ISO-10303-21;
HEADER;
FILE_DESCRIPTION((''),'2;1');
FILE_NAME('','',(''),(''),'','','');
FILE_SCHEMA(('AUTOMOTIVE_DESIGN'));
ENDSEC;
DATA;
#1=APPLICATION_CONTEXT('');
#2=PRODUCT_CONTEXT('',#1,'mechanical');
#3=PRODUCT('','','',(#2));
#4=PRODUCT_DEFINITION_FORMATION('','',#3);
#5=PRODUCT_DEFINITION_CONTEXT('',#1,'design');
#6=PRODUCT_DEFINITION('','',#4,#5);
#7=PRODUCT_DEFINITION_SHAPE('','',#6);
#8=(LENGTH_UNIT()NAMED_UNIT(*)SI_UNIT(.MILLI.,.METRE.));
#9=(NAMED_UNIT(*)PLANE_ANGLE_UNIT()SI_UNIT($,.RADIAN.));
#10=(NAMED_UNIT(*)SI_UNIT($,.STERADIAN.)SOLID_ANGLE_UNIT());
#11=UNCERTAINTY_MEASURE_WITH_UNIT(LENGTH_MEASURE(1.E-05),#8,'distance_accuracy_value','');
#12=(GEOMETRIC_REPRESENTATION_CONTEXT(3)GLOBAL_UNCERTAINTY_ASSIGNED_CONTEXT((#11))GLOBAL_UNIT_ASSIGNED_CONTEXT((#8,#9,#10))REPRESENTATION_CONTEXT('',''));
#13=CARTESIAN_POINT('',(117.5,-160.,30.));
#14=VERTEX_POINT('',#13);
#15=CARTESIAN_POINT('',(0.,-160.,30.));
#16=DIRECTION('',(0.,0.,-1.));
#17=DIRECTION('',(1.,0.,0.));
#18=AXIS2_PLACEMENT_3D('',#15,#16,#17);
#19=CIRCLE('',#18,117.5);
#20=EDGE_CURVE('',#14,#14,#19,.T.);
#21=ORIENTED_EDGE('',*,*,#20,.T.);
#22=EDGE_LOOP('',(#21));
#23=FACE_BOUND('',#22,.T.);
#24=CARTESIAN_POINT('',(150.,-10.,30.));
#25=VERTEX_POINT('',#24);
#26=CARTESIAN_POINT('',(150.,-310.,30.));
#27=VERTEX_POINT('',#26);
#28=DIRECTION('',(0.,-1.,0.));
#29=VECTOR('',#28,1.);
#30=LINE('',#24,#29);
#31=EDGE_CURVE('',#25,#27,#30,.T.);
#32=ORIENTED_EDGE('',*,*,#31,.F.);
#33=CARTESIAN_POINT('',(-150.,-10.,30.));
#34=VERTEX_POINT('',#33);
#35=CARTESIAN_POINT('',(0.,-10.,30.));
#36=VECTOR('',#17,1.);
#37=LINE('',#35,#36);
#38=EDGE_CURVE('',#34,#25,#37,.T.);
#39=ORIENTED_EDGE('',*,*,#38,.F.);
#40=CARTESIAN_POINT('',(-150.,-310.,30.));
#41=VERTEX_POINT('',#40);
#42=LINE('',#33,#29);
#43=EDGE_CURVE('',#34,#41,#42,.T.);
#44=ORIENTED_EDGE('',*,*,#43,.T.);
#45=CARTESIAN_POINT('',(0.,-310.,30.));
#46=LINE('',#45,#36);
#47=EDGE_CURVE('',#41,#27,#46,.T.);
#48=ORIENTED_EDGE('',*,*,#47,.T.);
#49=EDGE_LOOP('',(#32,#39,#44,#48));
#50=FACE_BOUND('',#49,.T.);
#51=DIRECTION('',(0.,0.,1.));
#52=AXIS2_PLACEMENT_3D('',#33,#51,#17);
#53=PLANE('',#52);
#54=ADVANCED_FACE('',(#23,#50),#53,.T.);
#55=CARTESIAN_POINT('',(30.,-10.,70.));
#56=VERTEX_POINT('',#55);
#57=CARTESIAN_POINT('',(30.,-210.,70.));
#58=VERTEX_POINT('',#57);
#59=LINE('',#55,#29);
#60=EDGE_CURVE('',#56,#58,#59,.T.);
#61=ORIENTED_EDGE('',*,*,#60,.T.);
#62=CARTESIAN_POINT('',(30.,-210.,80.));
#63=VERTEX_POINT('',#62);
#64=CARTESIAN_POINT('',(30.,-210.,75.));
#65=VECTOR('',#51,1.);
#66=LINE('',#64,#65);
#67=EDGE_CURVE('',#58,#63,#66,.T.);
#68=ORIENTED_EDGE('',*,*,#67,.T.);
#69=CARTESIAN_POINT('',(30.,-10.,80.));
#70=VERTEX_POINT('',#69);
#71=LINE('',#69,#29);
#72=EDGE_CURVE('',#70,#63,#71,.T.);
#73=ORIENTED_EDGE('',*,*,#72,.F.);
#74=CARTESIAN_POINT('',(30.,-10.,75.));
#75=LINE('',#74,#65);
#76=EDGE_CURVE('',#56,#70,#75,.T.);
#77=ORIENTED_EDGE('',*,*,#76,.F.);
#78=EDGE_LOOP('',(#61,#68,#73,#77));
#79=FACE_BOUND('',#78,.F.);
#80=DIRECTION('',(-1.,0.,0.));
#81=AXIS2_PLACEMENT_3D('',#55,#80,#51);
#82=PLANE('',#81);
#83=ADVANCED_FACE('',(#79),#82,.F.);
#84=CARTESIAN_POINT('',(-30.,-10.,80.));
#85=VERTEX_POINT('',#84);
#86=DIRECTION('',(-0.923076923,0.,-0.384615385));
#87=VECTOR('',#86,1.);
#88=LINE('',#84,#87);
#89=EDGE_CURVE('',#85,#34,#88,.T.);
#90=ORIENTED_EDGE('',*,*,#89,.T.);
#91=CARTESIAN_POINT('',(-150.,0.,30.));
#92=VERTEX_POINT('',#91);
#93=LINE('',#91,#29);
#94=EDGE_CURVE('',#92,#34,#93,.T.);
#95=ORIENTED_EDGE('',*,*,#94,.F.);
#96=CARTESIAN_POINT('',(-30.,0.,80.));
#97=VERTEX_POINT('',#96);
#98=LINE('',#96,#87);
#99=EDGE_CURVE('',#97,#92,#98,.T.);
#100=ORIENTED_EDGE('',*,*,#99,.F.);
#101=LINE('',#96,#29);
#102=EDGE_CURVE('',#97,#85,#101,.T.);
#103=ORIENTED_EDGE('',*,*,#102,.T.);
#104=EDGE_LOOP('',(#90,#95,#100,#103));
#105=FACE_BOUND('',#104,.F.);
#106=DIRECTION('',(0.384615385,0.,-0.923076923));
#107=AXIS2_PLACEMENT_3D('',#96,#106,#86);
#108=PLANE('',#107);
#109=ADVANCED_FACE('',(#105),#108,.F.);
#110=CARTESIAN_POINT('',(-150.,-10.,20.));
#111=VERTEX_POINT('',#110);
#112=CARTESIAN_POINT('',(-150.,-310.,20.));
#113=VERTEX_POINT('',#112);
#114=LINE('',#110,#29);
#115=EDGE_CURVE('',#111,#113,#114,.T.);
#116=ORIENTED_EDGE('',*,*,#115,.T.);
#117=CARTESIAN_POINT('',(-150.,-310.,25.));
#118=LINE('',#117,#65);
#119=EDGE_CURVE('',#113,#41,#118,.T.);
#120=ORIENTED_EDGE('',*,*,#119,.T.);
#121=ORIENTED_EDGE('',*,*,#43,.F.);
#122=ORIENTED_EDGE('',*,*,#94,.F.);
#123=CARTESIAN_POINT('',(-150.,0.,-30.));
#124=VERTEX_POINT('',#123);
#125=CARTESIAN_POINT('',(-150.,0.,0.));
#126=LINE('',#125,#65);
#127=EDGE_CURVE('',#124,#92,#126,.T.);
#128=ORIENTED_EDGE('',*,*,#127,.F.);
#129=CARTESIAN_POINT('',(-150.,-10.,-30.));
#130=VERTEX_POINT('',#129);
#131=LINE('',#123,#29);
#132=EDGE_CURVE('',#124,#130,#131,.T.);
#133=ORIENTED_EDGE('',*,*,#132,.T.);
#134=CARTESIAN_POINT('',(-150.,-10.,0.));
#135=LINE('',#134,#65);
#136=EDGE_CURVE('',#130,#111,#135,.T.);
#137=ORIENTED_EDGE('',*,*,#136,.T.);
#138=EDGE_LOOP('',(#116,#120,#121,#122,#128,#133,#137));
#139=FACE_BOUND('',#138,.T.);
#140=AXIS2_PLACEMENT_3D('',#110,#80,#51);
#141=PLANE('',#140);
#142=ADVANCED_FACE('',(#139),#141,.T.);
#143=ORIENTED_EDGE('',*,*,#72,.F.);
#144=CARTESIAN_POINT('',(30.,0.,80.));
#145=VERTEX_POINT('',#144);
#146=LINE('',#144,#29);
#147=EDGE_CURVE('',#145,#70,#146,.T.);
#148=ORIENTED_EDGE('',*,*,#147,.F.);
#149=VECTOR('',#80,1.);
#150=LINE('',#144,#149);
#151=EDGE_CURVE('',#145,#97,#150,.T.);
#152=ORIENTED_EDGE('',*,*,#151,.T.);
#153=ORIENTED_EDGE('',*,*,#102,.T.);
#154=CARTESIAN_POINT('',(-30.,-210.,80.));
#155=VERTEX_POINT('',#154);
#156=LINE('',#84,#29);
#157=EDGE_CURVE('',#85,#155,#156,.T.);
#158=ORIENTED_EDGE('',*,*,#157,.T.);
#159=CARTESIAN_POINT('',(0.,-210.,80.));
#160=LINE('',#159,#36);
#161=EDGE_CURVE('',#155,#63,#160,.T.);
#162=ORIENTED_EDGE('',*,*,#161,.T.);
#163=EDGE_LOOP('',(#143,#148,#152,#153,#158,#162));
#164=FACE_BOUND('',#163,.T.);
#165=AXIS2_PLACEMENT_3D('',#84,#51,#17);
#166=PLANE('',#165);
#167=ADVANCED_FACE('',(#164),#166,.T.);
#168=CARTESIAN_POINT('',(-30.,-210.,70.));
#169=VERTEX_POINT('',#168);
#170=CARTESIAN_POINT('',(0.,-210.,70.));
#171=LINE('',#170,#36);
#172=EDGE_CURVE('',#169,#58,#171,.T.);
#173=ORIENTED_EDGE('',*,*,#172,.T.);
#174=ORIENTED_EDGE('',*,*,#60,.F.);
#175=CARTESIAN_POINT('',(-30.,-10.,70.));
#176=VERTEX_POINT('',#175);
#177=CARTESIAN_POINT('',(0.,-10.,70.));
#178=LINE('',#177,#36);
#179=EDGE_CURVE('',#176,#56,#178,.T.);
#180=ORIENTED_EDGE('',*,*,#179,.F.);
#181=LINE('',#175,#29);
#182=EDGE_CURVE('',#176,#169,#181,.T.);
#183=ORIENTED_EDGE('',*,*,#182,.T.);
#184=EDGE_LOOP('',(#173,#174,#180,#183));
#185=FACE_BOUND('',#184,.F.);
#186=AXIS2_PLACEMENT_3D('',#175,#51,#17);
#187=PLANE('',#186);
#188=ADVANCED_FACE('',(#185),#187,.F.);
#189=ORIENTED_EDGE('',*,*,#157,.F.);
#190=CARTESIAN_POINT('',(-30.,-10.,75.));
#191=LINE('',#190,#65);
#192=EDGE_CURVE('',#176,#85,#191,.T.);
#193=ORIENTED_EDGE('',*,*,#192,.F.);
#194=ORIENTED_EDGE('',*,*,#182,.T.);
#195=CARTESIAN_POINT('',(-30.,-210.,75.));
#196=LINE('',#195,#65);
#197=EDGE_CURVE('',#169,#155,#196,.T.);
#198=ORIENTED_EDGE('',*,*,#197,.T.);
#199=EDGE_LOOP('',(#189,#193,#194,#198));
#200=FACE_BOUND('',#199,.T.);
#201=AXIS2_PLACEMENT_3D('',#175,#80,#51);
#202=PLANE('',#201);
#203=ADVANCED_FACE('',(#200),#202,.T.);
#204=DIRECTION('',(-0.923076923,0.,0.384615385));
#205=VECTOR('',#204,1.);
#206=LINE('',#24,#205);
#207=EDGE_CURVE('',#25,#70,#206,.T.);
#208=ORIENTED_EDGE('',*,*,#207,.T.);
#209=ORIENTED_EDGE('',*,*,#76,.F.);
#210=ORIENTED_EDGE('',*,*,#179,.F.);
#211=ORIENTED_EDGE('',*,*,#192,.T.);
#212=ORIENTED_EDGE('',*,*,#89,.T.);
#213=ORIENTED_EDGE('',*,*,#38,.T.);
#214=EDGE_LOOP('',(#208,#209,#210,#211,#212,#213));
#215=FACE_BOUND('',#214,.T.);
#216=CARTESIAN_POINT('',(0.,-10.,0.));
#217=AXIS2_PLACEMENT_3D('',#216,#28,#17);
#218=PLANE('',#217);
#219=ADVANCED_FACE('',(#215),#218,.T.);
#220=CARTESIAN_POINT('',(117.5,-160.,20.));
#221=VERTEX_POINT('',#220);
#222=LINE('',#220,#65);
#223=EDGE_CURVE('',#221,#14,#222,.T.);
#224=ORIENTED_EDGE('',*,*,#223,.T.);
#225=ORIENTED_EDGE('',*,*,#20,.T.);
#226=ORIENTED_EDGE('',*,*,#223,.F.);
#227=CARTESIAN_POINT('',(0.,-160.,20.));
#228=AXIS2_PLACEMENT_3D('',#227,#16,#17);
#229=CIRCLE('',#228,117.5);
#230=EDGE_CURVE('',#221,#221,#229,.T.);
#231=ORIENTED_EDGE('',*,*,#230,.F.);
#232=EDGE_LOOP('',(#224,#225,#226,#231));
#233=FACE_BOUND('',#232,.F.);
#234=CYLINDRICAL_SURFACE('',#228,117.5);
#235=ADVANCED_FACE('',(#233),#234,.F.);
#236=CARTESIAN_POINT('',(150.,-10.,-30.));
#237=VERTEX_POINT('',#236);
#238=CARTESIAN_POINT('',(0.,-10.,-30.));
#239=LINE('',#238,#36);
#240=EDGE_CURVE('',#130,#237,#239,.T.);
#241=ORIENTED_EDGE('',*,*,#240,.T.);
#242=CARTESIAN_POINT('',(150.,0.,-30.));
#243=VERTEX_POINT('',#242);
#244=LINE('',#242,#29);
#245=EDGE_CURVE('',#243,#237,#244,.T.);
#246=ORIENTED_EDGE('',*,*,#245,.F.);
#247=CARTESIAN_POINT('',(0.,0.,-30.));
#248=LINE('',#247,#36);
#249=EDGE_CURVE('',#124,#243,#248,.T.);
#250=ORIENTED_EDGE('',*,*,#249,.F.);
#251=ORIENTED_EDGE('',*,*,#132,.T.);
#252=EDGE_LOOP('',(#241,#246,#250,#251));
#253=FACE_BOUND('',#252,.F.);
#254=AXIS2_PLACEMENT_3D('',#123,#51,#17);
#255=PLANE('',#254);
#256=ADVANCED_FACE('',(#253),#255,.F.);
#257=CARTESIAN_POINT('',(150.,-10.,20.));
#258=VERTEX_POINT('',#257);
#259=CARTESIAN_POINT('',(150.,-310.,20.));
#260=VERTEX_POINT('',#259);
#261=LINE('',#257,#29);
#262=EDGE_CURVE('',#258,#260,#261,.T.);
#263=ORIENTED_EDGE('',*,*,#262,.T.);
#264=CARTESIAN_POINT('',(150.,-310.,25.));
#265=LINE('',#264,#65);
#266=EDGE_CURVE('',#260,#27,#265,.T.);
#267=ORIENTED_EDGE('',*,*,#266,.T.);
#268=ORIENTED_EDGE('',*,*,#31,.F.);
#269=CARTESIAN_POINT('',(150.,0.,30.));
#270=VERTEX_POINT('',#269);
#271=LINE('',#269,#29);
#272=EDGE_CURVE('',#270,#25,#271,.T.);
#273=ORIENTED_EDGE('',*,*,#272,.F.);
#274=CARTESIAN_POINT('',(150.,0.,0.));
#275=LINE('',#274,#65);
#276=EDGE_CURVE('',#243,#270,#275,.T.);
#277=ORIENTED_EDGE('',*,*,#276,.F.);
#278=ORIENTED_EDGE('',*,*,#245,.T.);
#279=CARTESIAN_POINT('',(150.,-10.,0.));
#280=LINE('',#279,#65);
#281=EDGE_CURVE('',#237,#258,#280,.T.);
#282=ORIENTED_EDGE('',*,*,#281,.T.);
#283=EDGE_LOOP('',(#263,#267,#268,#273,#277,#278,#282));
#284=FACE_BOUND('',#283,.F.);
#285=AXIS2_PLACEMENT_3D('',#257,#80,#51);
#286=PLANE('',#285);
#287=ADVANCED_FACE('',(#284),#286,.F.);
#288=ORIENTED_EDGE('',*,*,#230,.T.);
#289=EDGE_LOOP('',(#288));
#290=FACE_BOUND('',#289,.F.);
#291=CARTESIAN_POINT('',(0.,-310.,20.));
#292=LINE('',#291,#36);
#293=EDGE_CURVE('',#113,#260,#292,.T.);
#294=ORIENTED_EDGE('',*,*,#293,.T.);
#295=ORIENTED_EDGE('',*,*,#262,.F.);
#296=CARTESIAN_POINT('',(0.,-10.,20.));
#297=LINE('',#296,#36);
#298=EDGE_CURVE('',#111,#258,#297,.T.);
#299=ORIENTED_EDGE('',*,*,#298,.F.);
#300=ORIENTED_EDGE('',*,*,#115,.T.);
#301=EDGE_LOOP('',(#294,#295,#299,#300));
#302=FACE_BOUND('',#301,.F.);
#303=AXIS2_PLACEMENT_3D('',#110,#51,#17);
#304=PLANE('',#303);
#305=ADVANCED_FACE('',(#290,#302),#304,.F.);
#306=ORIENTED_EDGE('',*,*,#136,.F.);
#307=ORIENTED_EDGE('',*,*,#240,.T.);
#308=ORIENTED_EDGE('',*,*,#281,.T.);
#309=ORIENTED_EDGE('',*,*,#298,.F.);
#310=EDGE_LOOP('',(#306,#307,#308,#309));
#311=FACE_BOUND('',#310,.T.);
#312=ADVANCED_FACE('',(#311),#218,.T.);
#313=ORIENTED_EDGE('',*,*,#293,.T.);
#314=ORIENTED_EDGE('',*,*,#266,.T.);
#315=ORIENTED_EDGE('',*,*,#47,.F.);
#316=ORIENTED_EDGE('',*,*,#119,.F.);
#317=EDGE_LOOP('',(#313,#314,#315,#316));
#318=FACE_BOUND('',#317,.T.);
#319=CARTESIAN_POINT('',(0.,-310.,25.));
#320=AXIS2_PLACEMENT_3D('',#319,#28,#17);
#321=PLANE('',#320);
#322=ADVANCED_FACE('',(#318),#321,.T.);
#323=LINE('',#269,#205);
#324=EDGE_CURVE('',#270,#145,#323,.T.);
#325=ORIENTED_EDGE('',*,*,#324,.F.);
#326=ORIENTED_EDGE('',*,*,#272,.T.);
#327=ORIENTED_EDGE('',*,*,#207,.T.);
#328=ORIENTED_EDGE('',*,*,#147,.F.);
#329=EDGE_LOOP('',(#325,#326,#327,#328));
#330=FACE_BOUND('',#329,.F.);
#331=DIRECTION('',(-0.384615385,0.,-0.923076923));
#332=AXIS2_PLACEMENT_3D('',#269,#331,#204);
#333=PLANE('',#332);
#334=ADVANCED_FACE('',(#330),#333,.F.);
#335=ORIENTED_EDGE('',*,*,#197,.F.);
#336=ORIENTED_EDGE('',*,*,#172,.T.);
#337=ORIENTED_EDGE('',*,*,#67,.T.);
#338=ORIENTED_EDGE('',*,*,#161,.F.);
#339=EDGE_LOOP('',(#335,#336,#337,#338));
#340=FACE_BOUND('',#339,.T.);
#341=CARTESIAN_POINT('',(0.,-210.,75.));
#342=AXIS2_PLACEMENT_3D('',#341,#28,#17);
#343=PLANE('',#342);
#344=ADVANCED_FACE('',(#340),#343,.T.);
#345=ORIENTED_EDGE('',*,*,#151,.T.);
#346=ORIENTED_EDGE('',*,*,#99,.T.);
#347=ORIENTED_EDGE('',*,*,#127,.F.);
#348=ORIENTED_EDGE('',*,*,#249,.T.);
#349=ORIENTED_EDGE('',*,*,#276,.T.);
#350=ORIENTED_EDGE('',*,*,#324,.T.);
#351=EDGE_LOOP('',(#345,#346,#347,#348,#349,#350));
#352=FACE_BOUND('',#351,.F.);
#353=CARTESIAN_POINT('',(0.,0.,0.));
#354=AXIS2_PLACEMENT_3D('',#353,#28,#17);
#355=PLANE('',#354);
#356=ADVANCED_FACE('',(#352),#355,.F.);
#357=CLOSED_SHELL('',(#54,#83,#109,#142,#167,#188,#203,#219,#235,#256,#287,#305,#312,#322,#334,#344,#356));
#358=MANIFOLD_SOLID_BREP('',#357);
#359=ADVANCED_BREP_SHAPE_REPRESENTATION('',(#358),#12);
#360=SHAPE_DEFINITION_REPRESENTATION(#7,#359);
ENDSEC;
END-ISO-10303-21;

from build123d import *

# Parameters (mm, degrees)
F0_W     = 300
F0_H     = 60
F1_DEPTH = 10
F2_W     = 300
F2_H     = 10
F3_DEPTH = 300
F4_R     = 117.5
F5_DEPTH = 60.001
F6_W     = 60
F6_H     = 10
F7_DEPTH = 200


with BuildPart() as f1:
    # F0 (on Front) → F1 (new body)
    with BuildSketch(Plane.XZ):
        Rectangle(F0_W, F0_H)
        Polygon((-150, 30), (150, 30), (30, 80), (0, 80), (-30, 80), align=None)
    extrude(amount=F1_DEPTH)

    # F2 (on face) → F3 (join)
    with BuildSketch(Plane.XZ.offset(10)):
        with Locations((0, 25)):
            Rectangle(F2_W, F2_H)
    extrude(amount=F3_DEPTH)

    # F4 (on face) → F5 (cut, through all)
    with BuildSketch(Plane(origin=(0, 0, 20), x_dir=(1, 0, 0), z_dir=(0, 0, -1))):
        with Locations((0, 160)):
            Circle(F4_R)
    extrude(amount=-F5_DEPTH, mode=Mode.SUBTRACT)

    # F6 (on face) → F7 (join)
    with BuildSketch(Plane.XZ.offset(10)):
        with Locations((0, 75)):
            Rectangle(F6_W, F6_H)
    extrude(amount=F7_DEPTH)


solid = f1.part
